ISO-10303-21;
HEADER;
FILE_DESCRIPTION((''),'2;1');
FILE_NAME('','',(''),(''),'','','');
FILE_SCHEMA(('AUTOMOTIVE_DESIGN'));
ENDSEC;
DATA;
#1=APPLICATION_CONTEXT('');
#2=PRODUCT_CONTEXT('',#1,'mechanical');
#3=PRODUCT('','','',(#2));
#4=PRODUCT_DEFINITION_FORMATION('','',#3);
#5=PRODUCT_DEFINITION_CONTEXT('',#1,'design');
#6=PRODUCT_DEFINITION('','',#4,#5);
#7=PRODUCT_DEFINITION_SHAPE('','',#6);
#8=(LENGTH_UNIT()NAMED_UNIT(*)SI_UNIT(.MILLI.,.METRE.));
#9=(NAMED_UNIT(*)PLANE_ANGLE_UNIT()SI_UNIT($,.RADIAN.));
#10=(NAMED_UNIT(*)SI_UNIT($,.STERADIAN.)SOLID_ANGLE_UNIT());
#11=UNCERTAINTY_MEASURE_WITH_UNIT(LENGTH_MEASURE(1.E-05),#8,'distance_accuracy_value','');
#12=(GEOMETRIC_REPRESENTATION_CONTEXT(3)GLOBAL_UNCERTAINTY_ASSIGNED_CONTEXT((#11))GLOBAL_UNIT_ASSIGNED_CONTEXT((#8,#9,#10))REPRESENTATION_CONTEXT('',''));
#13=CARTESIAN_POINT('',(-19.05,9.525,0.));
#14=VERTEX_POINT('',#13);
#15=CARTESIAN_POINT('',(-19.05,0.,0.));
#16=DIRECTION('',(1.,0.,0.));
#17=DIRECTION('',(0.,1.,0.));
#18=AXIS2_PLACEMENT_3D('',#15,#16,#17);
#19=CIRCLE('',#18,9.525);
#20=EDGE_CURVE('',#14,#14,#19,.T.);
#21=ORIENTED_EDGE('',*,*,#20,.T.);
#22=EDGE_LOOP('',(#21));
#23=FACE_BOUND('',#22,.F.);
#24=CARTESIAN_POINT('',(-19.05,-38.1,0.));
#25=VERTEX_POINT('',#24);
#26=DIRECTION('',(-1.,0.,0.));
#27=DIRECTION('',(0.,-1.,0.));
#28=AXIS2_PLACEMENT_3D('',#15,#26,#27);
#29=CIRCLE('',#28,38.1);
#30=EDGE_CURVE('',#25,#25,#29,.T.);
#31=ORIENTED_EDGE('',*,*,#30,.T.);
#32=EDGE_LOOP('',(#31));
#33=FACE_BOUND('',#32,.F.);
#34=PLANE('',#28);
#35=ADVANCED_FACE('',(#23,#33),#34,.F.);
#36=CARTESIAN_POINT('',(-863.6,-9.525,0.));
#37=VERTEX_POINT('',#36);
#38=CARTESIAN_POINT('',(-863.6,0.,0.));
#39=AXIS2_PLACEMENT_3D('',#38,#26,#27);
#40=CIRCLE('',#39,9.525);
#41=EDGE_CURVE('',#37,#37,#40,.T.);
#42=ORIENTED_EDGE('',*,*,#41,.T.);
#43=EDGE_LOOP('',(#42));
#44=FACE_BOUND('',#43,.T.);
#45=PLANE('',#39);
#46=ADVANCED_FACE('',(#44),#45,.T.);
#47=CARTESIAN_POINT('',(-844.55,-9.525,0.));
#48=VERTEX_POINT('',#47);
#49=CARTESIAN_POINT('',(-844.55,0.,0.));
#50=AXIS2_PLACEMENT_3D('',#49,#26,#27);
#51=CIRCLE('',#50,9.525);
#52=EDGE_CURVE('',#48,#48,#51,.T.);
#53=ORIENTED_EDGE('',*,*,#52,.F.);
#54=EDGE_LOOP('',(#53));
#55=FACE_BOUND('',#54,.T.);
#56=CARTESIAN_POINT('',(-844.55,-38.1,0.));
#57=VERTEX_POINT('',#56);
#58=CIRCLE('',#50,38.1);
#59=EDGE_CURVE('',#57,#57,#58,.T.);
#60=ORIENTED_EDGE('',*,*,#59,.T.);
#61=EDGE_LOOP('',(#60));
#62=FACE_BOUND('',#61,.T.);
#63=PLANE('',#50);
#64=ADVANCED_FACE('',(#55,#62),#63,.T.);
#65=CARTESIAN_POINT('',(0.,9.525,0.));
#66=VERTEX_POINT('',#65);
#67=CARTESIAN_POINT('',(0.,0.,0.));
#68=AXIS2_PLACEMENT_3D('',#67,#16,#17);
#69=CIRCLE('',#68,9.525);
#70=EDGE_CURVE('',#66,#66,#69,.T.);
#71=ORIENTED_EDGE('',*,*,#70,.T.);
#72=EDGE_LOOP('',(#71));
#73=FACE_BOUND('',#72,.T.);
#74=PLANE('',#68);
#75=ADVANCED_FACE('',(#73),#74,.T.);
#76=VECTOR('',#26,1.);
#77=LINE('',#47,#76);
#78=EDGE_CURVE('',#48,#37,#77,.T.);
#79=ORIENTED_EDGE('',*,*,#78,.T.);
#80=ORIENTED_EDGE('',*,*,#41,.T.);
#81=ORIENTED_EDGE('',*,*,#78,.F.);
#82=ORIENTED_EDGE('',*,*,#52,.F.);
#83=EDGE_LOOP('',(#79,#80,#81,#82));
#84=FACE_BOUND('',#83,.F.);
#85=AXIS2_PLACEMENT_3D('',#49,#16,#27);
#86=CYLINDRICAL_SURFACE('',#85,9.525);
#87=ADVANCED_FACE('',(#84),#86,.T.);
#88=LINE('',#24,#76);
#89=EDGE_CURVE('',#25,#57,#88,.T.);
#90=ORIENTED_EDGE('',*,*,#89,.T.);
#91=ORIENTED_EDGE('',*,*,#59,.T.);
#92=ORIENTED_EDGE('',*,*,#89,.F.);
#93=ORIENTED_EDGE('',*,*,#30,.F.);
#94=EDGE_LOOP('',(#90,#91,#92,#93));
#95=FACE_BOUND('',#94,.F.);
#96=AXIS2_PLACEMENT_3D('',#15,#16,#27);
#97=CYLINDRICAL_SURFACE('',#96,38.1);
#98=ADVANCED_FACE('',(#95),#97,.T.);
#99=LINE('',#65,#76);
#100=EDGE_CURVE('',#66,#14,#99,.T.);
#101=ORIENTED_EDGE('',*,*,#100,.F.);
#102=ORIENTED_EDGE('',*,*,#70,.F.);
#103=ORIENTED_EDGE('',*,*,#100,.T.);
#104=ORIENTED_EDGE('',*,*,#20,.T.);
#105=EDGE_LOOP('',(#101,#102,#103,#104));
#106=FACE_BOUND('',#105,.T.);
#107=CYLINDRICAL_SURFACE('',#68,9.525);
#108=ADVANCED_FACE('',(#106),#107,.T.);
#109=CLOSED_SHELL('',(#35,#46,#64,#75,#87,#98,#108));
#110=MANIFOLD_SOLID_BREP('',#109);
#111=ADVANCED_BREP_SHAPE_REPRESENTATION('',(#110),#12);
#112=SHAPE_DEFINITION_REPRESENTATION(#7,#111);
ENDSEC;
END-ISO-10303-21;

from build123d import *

# Parameters (mm, degrees)
F0_R     = 9.525
F1_DEPTH = 19.05
F2_R     = 38.1
F3_DEPTH = 825.5
F4_R     = 9.525
F5_DEPTH = 19.05


with BuildPart() as f1:
    # F0 (on Right) → F1 (new body)
    with BuildSketch(Plane.YZ):
        Circle(F0_R)
    extrude(amount=-F1_DEPTH)

    # F2 (on face) → F3 (join)
    with BuildSketch(Plane(origin=(-19.05, 0, 0), x_dir=(0, -1, 0), z_dir=(-1, 0, 0))):
        Circle(F2_R)
    extrude(amount=F3_DEPTH)

    # F4 (on face) → F5 (join)
    with BuildSketch(Plane(origin=(-844.55, 0, 0), x_dir=(0, -1, 0), z_dir=(-1, 0, 0))):
        Circle(F4_R)
    extrude(amount=F5_DEPTH)


solid = f1.part
